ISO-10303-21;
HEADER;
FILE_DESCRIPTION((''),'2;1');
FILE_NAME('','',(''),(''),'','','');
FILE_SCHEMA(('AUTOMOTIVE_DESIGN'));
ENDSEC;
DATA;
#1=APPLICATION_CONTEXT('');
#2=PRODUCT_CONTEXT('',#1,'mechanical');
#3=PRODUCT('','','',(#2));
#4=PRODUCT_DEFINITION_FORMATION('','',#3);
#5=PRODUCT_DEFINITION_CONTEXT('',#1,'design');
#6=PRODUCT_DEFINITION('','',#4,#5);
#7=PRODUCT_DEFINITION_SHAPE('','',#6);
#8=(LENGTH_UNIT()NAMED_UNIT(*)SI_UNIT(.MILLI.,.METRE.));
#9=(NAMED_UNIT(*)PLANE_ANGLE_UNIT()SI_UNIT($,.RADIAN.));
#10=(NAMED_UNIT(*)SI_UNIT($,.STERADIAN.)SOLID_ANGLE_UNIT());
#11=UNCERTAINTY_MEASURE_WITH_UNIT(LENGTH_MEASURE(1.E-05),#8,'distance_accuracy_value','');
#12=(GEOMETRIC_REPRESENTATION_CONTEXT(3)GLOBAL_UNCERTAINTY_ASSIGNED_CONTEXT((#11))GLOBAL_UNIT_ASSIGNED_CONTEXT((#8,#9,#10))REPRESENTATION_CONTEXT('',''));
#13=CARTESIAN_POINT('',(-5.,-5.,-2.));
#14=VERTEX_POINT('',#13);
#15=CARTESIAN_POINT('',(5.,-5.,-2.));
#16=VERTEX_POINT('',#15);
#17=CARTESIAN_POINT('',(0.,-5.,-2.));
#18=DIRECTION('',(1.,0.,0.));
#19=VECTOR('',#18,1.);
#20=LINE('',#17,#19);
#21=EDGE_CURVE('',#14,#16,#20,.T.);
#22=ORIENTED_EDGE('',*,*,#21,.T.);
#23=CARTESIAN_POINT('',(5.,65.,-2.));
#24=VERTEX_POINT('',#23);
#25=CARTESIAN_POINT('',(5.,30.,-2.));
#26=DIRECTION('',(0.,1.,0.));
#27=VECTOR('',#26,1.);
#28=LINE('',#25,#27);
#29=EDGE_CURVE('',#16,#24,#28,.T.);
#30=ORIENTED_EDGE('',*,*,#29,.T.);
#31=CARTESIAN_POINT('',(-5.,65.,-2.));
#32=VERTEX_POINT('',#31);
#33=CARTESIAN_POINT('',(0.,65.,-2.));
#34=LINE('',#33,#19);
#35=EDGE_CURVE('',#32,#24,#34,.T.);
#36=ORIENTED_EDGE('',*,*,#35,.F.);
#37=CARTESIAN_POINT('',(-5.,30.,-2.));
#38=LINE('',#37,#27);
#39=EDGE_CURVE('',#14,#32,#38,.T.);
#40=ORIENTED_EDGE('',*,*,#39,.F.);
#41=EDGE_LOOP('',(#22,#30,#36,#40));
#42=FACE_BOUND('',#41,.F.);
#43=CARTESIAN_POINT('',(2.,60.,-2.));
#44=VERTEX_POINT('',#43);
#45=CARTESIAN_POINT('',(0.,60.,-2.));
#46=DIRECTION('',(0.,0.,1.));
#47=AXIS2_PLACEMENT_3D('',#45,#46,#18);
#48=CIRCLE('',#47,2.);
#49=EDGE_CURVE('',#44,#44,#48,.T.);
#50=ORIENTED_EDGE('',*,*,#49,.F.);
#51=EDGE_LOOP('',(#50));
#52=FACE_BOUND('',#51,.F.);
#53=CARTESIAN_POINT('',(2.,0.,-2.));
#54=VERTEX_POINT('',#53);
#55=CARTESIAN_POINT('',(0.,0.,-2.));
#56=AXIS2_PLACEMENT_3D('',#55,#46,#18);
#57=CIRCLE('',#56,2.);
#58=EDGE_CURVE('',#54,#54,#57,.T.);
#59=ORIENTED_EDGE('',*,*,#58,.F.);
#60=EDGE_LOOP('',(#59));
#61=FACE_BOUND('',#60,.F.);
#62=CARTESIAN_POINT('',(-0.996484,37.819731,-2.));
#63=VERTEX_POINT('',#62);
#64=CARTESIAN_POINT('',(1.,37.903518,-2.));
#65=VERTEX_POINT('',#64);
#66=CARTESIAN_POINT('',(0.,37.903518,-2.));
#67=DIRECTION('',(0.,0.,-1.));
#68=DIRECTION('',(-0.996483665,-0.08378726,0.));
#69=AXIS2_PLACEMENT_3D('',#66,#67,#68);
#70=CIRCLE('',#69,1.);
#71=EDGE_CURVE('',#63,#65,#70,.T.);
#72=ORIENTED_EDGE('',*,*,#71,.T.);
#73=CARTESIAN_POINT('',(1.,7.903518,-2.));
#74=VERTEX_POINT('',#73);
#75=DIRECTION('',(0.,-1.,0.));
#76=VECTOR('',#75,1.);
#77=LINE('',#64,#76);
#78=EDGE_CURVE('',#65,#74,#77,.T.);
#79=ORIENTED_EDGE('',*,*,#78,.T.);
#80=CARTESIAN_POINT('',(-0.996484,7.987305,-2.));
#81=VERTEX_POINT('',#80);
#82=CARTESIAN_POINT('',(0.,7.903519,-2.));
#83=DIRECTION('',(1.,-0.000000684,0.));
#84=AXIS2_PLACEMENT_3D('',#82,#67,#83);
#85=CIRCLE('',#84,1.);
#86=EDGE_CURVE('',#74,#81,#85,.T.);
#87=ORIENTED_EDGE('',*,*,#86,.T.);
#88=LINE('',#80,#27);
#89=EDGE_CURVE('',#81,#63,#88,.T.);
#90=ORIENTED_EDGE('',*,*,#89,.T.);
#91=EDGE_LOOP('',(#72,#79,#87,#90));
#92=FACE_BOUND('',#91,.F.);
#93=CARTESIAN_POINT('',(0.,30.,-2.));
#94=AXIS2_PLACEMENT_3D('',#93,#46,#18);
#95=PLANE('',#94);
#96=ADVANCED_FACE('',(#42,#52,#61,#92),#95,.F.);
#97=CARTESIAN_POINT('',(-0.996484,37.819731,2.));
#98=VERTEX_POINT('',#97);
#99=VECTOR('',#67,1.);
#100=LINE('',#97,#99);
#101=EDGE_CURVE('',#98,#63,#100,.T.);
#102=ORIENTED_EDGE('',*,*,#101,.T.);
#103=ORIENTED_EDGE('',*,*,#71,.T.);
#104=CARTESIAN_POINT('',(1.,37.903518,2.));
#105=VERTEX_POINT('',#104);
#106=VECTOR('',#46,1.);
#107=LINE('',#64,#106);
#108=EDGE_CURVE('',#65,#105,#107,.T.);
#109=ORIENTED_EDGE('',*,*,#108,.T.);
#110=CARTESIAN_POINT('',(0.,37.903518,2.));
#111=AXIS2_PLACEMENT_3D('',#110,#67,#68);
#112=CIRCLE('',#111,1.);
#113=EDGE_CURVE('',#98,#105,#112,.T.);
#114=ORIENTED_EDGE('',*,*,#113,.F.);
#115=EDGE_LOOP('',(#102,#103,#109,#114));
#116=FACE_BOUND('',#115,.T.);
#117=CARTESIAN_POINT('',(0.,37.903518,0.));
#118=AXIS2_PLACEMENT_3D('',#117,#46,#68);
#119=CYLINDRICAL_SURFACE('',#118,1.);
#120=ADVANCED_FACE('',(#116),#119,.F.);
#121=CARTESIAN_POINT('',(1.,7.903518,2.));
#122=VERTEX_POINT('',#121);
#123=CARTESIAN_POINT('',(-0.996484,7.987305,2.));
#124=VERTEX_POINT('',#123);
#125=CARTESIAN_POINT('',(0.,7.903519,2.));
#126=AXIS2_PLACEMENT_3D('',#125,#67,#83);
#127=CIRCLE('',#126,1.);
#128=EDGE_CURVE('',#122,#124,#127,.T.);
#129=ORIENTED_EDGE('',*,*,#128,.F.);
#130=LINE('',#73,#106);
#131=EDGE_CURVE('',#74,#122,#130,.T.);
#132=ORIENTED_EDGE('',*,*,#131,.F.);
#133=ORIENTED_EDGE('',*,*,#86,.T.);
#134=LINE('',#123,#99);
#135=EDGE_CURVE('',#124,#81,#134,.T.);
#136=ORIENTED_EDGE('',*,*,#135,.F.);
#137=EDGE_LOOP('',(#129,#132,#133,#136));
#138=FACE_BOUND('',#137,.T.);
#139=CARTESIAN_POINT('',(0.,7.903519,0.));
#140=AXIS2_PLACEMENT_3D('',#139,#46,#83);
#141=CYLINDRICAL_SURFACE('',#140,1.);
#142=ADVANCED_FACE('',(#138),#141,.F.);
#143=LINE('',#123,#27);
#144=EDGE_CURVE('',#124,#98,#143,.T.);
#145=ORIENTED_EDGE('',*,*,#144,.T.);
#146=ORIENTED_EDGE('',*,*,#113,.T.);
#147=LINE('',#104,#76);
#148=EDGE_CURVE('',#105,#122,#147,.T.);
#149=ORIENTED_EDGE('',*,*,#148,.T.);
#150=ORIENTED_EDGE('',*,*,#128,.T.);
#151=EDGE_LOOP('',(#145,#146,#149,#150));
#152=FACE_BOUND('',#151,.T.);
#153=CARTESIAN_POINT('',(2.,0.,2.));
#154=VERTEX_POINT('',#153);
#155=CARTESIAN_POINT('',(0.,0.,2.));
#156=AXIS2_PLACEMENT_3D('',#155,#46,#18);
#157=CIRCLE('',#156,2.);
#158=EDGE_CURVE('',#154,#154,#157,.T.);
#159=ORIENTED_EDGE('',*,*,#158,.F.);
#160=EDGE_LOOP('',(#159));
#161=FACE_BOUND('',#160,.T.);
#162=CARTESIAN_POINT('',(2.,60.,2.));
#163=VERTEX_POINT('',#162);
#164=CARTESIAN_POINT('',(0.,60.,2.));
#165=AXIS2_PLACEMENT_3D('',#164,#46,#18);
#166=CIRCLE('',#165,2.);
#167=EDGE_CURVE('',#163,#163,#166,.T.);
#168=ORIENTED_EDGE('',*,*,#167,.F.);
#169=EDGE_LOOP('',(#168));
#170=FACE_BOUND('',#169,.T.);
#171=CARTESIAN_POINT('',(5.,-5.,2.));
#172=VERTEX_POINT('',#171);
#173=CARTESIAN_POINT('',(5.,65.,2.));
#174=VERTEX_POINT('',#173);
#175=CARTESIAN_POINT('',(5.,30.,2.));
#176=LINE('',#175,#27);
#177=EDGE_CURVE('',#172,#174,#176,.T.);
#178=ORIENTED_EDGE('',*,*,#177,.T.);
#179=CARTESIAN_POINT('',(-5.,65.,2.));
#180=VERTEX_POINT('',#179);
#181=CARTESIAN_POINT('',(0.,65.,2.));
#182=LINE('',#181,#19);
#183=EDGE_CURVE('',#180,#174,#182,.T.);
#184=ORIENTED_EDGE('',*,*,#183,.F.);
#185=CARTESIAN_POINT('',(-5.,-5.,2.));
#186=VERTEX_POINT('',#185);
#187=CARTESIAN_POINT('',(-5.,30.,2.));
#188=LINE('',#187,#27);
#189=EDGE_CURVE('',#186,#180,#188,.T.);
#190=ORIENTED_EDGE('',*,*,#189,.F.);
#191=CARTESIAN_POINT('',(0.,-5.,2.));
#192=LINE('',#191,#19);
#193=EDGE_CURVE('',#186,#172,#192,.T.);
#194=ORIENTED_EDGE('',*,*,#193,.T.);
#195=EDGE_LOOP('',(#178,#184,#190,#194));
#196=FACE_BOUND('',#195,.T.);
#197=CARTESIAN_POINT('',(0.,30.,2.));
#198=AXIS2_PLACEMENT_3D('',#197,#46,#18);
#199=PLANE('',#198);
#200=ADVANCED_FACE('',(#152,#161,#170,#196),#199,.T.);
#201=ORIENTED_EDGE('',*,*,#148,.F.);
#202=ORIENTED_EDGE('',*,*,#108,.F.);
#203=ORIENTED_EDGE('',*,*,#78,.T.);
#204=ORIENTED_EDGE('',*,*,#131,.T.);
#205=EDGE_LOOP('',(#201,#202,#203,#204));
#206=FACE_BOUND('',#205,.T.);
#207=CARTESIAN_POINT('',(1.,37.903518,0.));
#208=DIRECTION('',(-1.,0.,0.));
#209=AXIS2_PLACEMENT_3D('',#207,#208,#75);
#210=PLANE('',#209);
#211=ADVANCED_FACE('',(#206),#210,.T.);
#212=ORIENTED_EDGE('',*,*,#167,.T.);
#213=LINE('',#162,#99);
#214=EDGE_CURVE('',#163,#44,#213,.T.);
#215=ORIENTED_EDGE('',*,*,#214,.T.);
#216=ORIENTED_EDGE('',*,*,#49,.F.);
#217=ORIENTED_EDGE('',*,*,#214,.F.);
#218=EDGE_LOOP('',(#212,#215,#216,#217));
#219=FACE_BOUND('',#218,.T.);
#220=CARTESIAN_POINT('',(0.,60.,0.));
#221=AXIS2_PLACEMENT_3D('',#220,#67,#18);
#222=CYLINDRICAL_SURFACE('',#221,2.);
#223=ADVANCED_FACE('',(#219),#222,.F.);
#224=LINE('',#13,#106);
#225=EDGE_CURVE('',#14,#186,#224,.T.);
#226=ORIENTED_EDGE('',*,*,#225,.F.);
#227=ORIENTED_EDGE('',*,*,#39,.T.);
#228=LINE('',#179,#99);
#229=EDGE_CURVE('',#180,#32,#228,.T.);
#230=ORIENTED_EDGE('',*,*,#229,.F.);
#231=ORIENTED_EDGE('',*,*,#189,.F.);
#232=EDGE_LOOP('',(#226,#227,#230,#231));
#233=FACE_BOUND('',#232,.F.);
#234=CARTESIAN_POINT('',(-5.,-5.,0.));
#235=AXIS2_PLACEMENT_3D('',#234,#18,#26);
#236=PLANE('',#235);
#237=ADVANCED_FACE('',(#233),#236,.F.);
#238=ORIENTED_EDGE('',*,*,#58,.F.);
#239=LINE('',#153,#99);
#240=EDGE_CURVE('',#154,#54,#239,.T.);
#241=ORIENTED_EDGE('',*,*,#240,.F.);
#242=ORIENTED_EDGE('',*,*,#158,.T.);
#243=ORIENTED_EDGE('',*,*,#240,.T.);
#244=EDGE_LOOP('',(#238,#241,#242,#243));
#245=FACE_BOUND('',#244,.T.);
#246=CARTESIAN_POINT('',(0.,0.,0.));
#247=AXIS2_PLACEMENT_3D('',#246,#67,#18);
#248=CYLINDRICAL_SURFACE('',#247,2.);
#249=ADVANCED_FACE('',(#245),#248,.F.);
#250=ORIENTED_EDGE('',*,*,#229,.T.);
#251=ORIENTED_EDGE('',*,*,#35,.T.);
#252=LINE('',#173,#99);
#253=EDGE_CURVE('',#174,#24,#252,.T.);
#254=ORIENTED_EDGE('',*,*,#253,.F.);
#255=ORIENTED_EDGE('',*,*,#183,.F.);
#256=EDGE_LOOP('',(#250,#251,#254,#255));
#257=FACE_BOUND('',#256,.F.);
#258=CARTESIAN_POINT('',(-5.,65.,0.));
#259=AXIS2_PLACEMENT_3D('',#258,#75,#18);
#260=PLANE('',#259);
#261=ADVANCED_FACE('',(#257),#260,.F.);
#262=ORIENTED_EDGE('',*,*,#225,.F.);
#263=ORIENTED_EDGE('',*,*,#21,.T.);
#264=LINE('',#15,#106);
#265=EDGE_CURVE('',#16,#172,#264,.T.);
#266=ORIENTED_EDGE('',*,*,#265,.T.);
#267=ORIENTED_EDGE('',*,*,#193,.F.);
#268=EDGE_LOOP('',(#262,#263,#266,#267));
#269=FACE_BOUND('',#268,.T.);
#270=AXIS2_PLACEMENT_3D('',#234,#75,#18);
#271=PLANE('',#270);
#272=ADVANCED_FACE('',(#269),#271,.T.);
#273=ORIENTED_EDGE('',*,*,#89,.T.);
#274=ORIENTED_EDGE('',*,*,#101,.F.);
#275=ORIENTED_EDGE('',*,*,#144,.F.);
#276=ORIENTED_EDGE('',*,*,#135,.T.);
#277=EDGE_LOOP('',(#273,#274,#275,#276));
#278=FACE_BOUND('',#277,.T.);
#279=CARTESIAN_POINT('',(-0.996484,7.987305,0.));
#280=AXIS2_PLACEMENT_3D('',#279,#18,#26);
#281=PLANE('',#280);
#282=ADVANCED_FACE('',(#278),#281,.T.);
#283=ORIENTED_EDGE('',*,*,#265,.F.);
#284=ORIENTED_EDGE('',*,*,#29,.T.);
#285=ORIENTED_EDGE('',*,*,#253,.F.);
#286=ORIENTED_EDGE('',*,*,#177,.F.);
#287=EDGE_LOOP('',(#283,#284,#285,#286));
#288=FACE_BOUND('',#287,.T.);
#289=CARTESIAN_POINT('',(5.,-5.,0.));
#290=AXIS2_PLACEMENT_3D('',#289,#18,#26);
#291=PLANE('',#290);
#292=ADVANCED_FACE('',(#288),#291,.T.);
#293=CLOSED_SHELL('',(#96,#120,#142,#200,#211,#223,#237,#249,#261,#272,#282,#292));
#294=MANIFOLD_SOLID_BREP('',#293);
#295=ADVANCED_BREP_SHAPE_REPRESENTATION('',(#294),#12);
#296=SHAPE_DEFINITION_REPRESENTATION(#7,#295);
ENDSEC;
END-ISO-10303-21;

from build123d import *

# Parameters (mm, degrees)
F0_W     = 10
F0_H     = 70
F0_R     = 2
F1_DEPTH = 2


with BuildPart() as f1:
    # F0 (on Top) → F1 (new body, symmetric)
    with BuildSketch(Plane.XY):
        with Locations((0, 30)):
            Rectangle(F0_W, F0_H)
        Circle(F0_R, mode=Mode.SUBTRACT)
        with BuildLine():
            Line((1, 37.903518), (1, 7.903518))
            ThreePointArc((1, 7.903518), (-0.04193, 6.904398), (-0.996484, 7.987305))
            Line((-0.996484, 7.987305), (-0.996484, 37.819731))
            ThreePointArc((-0.996484, 37.819731), (-0.04193, 38.902639), (1, 37.903518))
        make_face(mode=Mode.SUBTRACT)
        with Locations((0, 60)):
            Circle(F0_R, mode=Mode.SUBTRACT)
    extrude(amount=F1_DEPTH, both=True)


solid = f1.part
